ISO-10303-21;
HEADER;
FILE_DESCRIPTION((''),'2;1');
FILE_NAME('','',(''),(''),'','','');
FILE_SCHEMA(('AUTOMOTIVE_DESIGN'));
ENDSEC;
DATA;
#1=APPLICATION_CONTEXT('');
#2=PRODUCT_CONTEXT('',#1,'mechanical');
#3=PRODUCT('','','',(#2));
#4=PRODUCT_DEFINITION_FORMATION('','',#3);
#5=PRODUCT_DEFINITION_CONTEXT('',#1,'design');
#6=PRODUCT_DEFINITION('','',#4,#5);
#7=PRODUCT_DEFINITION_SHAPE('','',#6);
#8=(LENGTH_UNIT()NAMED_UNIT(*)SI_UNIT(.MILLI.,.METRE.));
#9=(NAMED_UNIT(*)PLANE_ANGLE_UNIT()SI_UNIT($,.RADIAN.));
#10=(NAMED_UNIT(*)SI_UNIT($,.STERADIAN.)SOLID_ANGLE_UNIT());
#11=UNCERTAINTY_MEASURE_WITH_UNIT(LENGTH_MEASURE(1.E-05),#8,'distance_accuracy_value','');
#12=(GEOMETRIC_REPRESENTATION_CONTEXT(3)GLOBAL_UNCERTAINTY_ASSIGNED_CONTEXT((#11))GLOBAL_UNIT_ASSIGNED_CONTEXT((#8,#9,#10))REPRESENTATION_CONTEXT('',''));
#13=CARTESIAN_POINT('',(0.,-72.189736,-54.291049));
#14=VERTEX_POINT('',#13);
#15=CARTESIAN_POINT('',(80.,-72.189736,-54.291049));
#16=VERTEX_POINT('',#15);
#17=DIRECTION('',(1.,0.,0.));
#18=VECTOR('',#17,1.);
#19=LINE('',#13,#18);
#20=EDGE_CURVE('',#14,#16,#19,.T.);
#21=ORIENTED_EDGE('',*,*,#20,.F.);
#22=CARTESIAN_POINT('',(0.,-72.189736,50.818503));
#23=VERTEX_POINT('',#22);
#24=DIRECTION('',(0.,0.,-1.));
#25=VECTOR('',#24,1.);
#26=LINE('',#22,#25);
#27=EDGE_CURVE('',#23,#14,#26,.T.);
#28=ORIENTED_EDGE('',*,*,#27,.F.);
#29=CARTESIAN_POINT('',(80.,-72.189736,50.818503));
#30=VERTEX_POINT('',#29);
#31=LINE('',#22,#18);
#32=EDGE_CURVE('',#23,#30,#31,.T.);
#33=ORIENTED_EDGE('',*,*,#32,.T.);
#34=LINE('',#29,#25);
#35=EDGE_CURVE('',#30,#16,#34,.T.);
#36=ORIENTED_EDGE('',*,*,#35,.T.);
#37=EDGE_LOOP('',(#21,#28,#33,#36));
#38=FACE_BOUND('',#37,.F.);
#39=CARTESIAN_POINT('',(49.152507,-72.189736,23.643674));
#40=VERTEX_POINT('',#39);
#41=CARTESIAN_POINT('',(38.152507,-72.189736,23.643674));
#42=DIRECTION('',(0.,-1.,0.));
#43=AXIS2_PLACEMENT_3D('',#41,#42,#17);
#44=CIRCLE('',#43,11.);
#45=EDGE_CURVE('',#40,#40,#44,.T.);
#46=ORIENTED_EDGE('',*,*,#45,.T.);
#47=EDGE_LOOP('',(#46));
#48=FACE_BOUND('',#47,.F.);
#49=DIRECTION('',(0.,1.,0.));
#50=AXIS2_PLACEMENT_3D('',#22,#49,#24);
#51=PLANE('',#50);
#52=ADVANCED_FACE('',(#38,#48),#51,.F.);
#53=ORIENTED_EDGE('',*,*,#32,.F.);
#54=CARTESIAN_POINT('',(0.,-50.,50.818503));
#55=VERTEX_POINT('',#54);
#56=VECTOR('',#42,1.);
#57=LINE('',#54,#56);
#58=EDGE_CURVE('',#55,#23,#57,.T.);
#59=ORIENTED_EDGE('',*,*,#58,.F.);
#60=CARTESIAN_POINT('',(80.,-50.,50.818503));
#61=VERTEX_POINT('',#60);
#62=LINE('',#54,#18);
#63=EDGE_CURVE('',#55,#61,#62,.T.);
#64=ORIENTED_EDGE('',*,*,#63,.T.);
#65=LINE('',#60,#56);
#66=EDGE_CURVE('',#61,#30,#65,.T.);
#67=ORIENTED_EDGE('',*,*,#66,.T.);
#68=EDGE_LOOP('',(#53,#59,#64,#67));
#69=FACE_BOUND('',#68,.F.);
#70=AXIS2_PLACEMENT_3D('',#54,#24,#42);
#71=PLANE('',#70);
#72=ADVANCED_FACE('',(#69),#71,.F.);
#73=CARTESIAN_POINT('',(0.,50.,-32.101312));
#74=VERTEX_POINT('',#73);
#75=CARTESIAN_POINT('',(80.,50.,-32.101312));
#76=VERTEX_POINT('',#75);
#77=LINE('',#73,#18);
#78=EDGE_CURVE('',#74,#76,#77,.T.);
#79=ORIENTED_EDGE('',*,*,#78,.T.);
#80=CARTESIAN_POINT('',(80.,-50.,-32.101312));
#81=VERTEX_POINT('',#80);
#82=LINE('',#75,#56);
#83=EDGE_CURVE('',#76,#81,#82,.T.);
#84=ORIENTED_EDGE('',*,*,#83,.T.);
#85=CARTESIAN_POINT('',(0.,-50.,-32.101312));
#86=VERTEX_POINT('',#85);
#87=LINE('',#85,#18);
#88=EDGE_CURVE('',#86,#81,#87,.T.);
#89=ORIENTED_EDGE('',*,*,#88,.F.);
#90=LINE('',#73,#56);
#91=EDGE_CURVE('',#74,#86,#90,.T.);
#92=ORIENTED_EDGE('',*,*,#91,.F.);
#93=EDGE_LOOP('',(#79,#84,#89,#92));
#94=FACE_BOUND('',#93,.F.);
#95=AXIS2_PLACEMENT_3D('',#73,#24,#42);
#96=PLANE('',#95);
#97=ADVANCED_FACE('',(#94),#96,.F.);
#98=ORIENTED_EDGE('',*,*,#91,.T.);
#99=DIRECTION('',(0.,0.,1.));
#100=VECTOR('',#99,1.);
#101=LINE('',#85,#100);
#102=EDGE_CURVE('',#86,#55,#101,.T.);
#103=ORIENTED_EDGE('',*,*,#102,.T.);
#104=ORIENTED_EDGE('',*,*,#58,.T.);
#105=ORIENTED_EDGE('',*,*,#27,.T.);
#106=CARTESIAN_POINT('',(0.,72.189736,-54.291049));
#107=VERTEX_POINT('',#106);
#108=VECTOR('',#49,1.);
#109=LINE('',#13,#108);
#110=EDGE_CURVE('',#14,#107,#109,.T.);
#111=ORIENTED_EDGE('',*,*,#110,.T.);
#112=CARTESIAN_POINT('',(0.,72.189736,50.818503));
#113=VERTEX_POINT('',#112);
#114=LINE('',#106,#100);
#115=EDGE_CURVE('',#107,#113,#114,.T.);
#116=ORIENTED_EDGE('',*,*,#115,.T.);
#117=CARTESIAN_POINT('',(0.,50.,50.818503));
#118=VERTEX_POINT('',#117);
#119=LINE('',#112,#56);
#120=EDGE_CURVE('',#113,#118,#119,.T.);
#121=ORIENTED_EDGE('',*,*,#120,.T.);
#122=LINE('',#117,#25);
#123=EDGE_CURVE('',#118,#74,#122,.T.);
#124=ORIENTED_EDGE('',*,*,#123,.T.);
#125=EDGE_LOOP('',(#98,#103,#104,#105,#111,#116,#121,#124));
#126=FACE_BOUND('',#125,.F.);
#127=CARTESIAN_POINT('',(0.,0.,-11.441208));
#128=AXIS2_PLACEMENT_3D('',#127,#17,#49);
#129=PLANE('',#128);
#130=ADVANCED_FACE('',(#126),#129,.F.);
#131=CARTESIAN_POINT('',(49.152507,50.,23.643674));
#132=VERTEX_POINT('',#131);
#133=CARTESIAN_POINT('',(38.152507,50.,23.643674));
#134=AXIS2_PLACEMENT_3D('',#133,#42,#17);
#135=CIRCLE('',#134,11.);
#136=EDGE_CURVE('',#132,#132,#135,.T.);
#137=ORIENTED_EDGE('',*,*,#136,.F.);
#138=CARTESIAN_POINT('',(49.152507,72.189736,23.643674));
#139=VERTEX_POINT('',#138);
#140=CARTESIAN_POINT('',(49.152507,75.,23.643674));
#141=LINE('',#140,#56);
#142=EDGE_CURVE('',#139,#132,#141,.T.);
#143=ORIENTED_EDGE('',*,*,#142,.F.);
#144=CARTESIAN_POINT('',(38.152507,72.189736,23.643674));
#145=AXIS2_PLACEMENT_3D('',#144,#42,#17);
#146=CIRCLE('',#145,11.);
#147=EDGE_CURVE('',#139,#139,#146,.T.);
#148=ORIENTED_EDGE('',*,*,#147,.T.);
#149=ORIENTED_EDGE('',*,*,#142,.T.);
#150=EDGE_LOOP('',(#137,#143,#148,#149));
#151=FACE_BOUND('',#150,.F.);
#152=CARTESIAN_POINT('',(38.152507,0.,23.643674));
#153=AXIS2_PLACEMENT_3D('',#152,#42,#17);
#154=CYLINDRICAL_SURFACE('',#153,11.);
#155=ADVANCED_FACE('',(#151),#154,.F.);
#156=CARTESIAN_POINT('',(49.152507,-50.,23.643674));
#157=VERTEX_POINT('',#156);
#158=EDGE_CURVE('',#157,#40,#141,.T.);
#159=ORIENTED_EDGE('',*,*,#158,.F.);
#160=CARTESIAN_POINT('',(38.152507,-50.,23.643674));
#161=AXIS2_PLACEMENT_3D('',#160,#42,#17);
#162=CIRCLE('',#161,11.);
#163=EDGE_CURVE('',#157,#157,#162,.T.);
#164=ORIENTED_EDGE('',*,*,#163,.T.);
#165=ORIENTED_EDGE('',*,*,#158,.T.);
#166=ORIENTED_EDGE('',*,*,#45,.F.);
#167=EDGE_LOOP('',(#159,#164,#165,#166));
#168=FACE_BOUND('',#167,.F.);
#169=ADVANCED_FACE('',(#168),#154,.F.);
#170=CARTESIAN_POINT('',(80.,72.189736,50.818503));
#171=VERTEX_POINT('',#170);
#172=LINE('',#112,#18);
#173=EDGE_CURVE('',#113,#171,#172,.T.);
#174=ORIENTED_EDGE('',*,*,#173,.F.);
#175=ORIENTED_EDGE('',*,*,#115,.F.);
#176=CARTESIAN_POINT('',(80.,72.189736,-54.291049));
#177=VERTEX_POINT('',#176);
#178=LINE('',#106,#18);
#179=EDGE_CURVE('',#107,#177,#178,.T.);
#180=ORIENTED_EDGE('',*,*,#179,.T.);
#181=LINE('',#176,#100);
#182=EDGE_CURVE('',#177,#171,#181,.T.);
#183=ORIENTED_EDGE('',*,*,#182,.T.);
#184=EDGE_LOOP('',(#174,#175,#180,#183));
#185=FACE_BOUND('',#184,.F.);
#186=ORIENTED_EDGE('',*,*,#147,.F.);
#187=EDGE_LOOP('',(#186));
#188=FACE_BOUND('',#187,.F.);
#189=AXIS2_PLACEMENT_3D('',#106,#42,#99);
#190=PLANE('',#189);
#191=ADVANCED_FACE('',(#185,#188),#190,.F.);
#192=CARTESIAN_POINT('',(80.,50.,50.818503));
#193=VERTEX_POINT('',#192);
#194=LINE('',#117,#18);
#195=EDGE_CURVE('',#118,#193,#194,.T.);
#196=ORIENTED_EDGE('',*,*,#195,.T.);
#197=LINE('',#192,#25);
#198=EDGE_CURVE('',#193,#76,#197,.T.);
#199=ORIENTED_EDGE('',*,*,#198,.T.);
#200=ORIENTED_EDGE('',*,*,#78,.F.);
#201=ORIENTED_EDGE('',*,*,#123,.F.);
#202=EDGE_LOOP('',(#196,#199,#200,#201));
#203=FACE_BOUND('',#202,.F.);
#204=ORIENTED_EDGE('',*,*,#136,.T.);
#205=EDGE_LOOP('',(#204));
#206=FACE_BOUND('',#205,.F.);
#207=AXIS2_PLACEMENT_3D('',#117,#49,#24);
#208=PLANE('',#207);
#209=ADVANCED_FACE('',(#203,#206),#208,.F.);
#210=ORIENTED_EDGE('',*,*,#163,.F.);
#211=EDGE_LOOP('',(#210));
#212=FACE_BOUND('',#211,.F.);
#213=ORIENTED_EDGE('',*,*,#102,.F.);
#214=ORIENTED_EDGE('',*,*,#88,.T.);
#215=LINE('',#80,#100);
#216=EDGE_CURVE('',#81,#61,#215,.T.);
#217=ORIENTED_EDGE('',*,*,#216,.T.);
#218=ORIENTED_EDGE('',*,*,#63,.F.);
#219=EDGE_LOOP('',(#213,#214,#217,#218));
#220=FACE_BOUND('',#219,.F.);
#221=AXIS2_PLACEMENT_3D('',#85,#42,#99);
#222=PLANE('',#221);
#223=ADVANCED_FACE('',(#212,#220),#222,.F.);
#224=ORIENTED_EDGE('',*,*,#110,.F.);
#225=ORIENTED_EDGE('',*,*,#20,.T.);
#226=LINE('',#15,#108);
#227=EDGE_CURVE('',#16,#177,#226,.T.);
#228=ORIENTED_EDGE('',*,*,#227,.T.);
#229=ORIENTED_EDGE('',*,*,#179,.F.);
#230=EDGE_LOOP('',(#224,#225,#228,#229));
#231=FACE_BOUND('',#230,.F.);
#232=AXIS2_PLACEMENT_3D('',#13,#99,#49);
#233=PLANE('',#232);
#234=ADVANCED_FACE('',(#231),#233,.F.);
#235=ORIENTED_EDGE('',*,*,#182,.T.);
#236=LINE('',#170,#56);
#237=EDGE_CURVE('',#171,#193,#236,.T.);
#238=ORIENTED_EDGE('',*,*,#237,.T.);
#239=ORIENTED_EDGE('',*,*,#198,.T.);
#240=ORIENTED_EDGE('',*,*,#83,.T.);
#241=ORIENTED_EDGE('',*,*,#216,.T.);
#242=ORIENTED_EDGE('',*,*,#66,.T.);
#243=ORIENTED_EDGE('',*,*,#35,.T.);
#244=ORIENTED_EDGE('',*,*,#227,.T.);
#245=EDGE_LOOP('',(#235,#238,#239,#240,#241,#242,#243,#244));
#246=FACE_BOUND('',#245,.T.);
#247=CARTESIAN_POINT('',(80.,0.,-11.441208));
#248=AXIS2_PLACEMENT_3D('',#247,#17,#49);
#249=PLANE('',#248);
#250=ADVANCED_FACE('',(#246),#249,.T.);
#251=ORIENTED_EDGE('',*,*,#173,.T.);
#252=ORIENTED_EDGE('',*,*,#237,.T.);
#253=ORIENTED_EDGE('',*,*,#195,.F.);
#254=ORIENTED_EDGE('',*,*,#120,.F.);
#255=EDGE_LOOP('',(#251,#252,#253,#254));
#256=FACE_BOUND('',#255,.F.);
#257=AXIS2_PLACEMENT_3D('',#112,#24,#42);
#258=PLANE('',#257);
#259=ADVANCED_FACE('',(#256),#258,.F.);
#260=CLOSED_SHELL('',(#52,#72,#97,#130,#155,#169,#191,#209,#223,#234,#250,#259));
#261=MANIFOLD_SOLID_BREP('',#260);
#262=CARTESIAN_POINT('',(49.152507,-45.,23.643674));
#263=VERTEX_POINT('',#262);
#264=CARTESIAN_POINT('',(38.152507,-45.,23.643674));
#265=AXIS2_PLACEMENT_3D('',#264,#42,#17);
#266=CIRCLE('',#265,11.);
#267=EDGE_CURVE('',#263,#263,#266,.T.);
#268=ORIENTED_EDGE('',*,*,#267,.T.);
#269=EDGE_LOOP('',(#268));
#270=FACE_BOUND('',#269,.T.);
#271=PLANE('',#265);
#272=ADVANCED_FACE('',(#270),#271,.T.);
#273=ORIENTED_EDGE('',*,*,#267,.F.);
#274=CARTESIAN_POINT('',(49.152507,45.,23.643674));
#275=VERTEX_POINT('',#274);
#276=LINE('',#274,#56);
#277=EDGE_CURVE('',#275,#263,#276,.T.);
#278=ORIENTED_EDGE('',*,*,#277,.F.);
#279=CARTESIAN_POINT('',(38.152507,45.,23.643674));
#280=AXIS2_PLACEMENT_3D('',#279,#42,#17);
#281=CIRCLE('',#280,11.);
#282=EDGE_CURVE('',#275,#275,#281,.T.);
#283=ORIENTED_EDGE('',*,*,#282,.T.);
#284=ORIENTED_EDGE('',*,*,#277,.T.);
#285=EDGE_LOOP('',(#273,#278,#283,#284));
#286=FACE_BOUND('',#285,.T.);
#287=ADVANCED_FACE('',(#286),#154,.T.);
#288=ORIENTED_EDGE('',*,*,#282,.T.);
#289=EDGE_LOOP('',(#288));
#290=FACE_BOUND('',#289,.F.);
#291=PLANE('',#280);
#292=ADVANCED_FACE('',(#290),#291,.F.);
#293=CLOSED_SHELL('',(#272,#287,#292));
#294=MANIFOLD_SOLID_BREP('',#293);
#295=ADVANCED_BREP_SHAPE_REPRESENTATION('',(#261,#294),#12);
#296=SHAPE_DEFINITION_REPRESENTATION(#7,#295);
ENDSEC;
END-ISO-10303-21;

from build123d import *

# Parameters (mm, degrees)
F1_DEPTH = 80
F2_R     = 11
F3_DEPTH = 75
F4_DEPTH = 45


with BuildPart() as f1:
    # F0 (on Right) → F1 (new body)
    with BuildSketch(Plane.YZ):
        Polygon((-50, -32.101312), (-50, 50.818503), (-72.189736, 50.818503), (-72.189736, -54.291049), (72.189736, -54.291049), (72.189736, 50.818503), (50, 50.818503), (50, -32.101312), align=None)
    extrude(amount=F1_DEPTH)

    # F2 (on Front) → F3 (cut, symmetric)
    with BuildSketch(Plane.XZ):
        with Locations((38.152507, 23.643674)):
            Circle(F2_R)
    extrude(amount=F3_DEPTH, both=True, mode=Mode.SUBTRACT)


with BuildPart() as f4:
    # F2 (on Front) → F4 (new body, symmetric)
    with BuildSketch(Plane.XZ):
        with Locations((38.152507, 23.643674)):
            Circle(F2_R)
    extrude(amount=F4_DEPTH, both=True)


solid = Compound([f1.part, f4.part])
